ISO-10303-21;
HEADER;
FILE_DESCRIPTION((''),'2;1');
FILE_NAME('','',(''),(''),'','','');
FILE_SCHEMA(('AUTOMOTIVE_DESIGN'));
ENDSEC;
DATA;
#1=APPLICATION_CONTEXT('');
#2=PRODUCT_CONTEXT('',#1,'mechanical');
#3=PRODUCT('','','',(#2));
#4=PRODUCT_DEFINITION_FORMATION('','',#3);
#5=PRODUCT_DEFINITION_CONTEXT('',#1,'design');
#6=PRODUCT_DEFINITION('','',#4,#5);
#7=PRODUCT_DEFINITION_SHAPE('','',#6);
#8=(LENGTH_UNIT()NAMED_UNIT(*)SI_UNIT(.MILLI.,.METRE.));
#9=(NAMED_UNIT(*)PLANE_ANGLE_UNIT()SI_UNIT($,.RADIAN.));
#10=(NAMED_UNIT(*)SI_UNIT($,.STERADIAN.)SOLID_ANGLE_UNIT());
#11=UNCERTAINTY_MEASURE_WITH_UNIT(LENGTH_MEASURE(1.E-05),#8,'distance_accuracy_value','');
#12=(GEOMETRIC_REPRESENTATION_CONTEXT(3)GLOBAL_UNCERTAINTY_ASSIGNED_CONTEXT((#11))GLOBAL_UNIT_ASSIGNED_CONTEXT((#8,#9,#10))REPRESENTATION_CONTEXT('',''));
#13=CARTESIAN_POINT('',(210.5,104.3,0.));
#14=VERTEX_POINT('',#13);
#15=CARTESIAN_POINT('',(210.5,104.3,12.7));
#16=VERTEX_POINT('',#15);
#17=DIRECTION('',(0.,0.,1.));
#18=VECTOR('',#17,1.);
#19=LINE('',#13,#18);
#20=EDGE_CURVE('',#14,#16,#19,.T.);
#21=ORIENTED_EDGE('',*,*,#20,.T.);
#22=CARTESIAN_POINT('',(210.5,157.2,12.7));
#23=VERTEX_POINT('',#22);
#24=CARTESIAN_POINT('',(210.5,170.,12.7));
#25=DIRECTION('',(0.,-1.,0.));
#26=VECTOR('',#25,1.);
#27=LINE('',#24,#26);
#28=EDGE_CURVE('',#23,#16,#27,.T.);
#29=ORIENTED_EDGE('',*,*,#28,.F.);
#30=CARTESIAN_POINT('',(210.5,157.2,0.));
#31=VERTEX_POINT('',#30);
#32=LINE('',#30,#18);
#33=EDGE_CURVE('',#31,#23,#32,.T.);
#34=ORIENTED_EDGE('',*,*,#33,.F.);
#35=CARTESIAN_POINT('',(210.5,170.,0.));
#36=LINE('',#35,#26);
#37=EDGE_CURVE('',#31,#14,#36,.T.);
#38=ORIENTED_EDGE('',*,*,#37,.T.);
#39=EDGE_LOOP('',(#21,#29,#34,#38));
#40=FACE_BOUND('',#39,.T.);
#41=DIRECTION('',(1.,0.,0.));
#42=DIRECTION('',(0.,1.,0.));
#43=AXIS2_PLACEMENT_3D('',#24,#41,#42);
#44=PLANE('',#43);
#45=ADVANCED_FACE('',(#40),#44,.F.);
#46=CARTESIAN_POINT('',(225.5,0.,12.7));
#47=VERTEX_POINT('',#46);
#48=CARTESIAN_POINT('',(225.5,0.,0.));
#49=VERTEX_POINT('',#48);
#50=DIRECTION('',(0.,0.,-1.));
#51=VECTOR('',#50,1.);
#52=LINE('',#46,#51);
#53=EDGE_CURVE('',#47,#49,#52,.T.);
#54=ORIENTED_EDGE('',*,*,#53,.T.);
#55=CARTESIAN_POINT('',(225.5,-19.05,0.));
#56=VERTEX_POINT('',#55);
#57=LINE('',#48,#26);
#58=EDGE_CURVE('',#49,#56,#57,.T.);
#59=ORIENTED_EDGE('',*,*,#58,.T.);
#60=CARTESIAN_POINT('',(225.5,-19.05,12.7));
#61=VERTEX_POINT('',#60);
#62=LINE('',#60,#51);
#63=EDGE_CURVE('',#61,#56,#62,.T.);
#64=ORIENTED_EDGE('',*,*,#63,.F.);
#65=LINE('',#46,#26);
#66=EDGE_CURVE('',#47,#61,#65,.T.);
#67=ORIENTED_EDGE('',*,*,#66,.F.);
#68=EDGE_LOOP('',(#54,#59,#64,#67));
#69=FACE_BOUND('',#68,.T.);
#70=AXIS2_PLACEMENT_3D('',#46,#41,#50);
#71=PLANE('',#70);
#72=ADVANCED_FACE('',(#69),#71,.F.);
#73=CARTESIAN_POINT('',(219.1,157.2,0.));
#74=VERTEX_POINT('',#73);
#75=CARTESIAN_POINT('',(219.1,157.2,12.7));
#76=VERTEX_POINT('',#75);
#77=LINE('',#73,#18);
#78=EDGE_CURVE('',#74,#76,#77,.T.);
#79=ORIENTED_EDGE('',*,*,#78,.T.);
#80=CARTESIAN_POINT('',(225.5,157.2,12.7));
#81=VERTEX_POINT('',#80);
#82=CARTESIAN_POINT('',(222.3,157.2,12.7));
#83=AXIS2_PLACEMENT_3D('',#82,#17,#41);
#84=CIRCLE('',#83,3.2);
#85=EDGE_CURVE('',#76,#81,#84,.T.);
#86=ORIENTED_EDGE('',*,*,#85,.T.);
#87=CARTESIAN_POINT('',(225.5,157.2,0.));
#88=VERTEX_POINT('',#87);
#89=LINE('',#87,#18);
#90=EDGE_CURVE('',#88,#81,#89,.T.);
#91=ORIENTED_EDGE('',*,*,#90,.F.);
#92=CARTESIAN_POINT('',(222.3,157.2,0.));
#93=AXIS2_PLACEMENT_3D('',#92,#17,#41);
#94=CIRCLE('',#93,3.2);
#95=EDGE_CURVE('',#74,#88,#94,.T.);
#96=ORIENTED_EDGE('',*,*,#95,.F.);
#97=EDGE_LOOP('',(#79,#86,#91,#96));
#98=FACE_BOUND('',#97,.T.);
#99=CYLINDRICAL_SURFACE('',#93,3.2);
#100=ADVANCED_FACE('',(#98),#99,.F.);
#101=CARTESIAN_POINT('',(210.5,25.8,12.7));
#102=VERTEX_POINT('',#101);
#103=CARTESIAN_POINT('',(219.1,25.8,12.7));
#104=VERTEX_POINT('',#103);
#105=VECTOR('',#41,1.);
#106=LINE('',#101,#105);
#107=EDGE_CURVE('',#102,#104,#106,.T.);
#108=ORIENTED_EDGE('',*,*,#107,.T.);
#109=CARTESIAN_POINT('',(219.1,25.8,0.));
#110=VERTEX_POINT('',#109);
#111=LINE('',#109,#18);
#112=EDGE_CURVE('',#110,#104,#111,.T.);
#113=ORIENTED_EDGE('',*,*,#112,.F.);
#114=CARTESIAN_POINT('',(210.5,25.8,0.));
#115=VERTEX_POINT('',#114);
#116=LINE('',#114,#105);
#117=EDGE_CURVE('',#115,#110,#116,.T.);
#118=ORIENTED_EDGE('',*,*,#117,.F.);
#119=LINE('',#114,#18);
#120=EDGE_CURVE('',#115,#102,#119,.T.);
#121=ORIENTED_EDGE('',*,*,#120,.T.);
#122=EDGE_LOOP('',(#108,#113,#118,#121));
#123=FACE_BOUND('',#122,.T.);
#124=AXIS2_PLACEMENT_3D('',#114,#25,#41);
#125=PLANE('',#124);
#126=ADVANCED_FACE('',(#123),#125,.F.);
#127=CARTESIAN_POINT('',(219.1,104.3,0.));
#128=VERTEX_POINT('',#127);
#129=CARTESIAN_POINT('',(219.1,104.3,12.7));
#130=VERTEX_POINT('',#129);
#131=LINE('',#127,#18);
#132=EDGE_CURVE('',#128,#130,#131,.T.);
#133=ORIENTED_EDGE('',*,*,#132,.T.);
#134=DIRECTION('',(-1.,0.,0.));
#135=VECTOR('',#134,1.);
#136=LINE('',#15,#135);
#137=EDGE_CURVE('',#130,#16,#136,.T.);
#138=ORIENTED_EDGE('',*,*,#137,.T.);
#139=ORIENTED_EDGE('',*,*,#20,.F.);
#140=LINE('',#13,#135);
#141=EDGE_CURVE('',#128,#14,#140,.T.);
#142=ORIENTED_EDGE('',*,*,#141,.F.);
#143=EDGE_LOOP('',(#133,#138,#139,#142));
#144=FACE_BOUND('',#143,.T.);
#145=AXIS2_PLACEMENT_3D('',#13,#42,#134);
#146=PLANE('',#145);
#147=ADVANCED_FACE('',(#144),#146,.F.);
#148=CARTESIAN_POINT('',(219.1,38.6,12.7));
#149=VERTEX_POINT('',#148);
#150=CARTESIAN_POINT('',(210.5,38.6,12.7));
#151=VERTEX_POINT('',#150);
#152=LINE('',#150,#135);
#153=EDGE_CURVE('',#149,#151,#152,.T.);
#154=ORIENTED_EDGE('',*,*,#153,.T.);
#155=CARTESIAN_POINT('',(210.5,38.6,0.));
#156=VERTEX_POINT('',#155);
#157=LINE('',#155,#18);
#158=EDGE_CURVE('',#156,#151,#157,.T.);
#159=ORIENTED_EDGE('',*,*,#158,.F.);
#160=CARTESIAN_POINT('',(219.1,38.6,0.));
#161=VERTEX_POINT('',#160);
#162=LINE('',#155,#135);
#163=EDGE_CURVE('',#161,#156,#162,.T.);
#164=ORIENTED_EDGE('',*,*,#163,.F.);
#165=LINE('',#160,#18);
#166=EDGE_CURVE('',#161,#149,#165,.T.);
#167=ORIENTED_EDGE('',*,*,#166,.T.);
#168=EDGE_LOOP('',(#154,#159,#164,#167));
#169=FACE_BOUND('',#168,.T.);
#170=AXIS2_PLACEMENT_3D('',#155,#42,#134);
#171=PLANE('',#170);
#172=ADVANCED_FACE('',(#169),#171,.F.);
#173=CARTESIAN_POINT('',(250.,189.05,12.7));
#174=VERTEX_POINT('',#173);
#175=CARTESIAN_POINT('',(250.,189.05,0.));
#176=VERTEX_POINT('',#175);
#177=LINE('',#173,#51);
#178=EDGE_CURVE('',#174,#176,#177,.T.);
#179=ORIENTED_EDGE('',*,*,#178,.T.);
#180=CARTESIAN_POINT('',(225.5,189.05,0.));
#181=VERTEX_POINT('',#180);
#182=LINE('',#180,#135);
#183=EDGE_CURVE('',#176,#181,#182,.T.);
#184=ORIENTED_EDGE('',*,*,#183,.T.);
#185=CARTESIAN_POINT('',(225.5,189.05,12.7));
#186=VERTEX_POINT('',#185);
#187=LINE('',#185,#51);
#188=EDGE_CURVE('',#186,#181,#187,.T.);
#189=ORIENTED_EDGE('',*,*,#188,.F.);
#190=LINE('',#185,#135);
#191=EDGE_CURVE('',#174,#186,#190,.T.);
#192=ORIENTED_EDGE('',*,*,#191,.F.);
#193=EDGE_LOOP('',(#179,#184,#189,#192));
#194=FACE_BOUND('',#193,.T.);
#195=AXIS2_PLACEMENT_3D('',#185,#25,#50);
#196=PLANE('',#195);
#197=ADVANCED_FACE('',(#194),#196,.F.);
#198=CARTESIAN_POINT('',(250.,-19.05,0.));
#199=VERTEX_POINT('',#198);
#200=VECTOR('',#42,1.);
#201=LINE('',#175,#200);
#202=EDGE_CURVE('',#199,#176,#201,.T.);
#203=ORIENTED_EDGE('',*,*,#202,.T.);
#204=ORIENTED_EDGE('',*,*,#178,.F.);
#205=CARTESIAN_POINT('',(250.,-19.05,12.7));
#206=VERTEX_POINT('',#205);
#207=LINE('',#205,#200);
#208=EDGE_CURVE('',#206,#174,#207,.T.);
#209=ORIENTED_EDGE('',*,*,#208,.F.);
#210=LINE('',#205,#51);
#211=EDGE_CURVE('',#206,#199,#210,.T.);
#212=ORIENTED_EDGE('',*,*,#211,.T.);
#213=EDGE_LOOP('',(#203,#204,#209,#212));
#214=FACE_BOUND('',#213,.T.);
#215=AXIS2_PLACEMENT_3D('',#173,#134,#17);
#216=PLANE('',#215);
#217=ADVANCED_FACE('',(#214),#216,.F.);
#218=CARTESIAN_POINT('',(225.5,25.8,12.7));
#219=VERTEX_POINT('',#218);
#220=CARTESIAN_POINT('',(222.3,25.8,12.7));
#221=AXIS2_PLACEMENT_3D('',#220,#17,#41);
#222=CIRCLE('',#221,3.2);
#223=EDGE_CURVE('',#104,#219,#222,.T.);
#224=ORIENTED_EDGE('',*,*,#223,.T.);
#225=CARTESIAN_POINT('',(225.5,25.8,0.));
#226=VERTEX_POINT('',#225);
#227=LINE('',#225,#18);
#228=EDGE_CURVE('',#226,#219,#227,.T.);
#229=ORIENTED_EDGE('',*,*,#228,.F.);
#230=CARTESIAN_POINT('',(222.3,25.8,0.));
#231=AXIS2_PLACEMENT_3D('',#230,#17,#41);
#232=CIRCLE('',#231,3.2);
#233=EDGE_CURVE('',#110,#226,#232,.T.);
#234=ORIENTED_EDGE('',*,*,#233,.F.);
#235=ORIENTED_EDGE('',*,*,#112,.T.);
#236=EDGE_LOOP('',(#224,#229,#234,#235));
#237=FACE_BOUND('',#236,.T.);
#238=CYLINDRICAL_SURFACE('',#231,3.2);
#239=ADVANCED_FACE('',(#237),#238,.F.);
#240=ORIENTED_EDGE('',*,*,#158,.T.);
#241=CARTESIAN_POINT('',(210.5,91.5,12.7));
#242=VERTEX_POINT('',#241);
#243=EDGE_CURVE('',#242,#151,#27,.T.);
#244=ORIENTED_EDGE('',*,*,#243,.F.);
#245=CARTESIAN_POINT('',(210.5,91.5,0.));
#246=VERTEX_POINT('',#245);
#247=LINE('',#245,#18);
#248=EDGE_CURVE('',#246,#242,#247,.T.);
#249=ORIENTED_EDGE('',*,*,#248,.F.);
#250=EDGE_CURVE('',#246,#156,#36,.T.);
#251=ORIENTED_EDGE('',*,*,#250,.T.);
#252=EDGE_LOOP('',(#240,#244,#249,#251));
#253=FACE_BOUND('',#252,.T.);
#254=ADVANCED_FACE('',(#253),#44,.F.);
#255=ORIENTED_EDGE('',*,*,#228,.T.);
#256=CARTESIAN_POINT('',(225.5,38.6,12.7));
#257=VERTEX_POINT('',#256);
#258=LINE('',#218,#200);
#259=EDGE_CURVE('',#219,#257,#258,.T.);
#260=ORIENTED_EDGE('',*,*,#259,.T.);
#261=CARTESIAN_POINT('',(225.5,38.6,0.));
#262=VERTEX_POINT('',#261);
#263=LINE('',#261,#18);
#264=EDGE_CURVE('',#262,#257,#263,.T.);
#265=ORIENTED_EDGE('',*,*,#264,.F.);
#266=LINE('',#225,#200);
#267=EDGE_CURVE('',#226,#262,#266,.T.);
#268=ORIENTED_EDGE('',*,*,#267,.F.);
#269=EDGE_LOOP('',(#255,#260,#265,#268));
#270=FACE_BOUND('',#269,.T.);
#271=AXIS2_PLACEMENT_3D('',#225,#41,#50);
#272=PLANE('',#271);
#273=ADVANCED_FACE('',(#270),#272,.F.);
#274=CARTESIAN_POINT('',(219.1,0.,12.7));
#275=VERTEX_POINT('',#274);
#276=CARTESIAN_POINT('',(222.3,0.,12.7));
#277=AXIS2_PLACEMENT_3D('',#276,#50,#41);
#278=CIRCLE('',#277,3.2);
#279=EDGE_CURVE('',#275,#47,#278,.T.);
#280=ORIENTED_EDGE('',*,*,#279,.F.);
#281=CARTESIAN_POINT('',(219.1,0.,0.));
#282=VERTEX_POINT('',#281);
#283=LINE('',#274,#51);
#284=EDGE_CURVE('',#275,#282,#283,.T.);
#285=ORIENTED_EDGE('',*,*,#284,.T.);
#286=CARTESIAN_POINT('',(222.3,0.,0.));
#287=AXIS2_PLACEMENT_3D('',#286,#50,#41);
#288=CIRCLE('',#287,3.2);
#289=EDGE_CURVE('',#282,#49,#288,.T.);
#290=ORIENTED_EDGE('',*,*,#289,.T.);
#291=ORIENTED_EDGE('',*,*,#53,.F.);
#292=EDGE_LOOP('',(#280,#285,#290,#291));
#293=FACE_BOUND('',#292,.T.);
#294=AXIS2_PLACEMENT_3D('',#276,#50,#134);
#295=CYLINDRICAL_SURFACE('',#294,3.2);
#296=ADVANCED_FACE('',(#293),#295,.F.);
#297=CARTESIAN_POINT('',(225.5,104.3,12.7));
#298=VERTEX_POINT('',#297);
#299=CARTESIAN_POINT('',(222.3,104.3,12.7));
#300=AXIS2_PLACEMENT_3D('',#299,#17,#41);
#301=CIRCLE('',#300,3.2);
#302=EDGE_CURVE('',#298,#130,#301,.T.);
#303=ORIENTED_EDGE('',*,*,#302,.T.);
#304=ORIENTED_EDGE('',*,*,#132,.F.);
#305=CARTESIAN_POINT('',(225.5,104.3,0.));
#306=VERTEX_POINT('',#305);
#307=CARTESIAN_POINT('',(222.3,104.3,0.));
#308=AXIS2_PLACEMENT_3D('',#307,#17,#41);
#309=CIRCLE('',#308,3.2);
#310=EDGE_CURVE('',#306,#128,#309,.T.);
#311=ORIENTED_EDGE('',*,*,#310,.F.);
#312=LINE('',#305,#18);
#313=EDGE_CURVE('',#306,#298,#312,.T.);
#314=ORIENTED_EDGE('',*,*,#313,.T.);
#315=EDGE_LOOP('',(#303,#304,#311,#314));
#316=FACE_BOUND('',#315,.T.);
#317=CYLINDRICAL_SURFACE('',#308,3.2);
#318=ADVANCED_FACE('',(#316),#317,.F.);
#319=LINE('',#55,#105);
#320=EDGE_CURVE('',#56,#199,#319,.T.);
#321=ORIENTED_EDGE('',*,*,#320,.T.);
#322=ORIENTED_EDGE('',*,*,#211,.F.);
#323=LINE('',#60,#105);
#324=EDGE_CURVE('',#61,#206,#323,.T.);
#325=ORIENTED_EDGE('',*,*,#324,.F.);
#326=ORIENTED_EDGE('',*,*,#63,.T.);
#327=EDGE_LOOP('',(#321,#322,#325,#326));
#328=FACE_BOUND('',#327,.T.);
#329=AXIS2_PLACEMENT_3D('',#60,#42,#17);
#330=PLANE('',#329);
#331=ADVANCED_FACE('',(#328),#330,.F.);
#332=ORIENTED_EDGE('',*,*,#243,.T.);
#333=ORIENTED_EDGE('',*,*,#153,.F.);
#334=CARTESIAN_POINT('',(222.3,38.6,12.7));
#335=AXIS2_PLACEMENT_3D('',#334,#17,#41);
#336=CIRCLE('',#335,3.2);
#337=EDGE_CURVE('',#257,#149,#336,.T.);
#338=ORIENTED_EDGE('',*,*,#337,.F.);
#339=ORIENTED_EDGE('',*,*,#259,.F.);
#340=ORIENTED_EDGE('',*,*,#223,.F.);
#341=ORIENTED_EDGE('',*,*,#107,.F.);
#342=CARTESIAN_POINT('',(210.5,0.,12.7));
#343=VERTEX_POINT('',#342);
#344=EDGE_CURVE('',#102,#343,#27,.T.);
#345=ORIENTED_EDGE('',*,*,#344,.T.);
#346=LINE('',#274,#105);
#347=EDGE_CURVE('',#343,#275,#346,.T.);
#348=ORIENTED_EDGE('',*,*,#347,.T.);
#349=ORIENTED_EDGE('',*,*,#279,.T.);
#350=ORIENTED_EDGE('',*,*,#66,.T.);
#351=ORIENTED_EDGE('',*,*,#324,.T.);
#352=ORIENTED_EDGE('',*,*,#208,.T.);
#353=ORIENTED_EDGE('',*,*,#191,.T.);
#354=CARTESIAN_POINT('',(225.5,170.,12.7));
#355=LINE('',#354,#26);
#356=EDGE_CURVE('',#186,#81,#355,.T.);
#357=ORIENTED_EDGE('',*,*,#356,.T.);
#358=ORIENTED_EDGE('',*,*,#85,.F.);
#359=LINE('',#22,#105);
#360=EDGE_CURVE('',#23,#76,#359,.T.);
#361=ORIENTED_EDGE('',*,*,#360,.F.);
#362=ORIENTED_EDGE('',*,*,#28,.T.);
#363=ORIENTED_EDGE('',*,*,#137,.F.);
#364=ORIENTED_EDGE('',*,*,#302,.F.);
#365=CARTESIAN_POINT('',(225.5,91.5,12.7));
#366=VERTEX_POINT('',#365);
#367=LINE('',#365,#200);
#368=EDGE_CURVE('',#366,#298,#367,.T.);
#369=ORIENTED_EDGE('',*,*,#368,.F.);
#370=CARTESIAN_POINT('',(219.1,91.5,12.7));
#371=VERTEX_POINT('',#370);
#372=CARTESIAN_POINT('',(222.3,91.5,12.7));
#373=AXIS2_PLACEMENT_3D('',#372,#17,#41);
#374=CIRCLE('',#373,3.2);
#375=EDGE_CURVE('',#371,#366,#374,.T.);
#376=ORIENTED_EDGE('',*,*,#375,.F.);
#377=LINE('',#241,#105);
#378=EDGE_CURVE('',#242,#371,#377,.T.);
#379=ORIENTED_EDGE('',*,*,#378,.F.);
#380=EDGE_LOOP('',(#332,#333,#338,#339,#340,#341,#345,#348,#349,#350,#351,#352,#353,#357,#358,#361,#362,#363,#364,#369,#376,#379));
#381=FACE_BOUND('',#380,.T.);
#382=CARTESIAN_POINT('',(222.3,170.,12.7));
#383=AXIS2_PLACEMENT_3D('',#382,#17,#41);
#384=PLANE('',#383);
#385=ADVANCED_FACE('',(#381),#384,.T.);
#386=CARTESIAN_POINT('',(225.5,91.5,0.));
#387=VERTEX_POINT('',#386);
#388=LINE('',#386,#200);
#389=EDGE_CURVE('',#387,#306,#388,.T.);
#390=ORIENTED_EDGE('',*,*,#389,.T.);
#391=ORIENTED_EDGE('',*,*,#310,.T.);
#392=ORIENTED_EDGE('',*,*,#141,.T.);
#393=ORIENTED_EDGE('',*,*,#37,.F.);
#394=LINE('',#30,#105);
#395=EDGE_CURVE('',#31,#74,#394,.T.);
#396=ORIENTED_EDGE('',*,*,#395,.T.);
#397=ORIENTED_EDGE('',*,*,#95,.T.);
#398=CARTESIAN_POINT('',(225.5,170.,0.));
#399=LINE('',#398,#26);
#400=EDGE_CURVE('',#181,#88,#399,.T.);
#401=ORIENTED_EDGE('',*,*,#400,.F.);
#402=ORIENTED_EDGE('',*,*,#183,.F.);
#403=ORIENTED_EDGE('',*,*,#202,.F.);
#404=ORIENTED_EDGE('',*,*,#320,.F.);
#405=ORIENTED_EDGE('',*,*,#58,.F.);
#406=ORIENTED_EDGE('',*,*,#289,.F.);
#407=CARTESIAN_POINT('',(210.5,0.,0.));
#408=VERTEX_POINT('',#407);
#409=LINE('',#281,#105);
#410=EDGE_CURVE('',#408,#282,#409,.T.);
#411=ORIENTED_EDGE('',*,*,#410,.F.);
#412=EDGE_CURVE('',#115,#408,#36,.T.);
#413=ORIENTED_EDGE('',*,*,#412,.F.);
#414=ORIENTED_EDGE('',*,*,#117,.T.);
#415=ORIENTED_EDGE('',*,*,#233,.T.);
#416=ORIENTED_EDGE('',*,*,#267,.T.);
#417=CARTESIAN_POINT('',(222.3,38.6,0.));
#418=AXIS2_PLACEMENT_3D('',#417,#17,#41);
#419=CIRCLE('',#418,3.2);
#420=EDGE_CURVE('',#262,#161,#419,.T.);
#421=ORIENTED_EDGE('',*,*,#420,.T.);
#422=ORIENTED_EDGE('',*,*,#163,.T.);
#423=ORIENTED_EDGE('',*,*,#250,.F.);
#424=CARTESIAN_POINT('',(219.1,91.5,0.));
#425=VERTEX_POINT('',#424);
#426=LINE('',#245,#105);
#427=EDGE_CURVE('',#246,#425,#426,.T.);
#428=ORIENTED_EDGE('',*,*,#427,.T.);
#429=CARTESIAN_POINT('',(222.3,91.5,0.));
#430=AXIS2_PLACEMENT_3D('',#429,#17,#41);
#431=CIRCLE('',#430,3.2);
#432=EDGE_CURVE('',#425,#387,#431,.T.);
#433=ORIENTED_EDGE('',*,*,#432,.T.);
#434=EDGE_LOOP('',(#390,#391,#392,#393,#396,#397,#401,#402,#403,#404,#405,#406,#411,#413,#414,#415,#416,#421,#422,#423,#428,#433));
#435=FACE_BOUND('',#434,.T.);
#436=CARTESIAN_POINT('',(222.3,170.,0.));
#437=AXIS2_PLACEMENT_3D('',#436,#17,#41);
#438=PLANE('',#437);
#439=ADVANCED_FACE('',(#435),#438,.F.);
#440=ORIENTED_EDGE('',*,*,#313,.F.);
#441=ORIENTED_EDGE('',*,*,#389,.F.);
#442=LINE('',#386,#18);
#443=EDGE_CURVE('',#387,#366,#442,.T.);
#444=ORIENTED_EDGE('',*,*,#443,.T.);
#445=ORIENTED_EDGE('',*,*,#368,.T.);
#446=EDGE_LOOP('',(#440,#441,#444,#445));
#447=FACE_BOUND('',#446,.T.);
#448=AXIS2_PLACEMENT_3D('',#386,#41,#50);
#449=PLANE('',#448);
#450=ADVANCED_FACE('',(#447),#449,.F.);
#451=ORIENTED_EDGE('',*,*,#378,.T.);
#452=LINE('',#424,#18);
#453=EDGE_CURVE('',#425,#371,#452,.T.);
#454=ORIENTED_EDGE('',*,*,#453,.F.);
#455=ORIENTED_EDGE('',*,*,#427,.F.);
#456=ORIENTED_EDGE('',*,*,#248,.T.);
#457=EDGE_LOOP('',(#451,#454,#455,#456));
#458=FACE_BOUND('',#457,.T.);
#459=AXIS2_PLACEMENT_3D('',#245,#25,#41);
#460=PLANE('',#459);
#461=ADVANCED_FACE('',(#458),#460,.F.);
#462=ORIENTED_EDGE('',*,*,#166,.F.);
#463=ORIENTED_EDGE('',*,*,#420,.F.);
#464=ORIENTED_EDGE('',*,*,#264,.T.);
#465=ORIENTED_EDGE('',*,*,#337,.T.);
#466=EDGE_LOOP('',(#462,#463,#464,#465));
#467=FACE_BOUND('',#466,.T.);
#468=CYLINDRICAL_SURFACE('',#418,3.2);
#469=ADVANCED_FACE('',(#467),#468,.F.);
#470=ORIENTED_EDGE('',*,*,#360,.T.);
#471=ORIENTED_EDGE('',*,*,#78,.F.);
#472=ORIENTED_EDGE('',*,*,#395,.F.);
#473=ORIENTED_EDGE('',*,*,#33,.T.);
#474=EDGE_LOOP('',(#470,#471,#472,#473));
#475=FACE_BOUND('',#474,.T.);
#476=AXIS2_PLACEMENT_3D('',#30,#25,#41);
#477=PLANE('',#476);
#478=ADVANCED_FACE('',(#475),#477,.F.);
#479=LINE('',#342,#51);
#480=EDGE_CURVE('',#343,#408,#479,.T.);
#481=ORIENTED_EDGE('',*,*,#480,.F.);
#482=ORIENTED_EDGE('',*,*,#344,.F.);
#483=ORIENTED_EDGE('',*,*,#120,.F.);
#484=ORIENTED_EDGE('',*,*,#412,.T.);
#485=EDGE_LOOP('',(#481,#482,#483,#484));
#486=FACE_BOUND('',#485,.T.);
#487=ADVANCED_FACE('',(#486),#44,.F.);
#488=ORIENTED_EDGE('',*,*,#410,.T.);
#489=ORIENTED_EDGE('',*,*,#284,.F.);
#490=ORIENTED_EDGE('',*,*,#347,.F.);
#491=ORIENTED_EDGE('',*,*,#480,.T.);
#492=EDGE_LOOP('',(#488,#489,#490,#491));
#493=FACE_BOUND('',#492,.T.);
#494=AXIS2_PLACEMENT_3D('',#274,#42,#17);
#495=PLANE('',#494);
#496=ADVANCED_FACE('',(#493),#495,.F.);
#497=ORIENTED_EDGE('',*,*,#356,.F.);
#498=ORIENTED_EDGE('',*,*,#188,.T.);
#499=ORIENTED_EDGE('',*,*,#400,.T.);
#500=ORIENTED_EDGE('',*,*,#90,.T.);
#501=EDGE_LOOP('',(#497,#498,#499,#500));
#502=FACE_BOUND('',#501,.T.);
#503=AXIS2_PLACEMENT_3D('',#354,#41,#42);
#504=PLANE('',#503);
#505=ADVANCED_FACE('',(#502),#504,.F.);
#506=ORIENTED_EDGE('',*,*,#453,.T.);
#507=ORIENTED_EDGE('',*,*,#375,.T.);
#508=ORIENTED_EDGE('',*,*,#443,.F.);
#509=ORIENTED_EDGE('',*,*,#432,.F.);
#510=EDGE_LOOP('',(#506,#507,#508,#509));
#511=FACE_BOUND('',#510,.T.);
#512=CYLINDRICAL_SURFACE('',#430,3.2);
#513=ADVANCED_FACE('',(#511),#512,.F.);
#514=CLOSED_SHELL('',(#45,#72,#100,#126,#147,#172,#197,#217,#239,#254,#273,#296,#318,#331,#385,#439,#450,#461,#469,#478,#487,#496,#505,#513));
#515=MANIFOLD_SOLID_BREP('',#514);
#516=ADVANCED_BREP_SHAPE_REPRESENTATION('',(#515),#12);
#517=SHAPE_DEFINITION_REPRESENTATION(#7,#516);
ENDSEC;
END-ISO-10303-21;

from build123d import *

# Parameters (mm, degrees)
BOSS_EXTRUDE1_DEPTH = 12.7
CUT_EXTRUDE1_DEPTH  = 314.689643597
LPATTERN1_COUNT     = 3
LPATTERN1_PITCH     = 65.7


with BuildPart() as part:
    # Sketch1 → Boss-Extrude1 (new body)
    with BuildSketch(Plane.XY):
        with BuildLine():
            Line((210.5, 170), (210.5, 0))
            Line((210.5, 0), (219.1, 0))
            ThreePointArc((219.1, 0), (222.3, 3.2), (225.5, 0))
            Line((225.5, 0), (225.5, -19.05))
            Line((225.5, -19.05), (250, -19.05))
            Line((250, -19.05), (250, 0))
            Line((250, 0), (250, 170))
            Line((250, 170), (250, 189.05))
            Line((250, 189.05), (225.5, 189.05))
            Line((225.5, 189.05), (225.5, 170))
            ThreePointArc((225.5, 170), (222.3, 166.8), (219.1, 170))
            Line((219.1, 170), (210.5, 170))
        make_face()
    extrude(amount=BOSS_EXTRUDE1_DEPTH)

    # Sketch2 → Cut-Extrude1 (cut, through all)
    with BuildSketch(Plane.XY.offset(12.7)):
        with BuildLine():
            Line((210.5, 157.2), (210.5, 170))
            Line((210.5, 170), (219.1, 170))
            ThreePointArc((219.1, 170), (222.3, 173.2), (225.5, 170))
            Line((225.5, 170), (225.5, 157.2))
            ThreePointArc((225.5, 157.2), (222.3, 154), (219.1, 157.2))
            Line((219.1, 157.2), (210.5, 157.2))
        make_face()
    cut_extrude1 = extrude(amount=-CUT_EXTRUDE1_DEPTH, mode=Mode.SUBTRACT)

    # LPattern1: Cut-Extrude1 ×3
    with Locations(*[(0, -i * LPATTERN1_PITCH, 0) for i in range(1, LPATTERN1_COUNT)]):
        add(cut_extrude1, mode=Mode.SUBTRACT)


solid = part.part
